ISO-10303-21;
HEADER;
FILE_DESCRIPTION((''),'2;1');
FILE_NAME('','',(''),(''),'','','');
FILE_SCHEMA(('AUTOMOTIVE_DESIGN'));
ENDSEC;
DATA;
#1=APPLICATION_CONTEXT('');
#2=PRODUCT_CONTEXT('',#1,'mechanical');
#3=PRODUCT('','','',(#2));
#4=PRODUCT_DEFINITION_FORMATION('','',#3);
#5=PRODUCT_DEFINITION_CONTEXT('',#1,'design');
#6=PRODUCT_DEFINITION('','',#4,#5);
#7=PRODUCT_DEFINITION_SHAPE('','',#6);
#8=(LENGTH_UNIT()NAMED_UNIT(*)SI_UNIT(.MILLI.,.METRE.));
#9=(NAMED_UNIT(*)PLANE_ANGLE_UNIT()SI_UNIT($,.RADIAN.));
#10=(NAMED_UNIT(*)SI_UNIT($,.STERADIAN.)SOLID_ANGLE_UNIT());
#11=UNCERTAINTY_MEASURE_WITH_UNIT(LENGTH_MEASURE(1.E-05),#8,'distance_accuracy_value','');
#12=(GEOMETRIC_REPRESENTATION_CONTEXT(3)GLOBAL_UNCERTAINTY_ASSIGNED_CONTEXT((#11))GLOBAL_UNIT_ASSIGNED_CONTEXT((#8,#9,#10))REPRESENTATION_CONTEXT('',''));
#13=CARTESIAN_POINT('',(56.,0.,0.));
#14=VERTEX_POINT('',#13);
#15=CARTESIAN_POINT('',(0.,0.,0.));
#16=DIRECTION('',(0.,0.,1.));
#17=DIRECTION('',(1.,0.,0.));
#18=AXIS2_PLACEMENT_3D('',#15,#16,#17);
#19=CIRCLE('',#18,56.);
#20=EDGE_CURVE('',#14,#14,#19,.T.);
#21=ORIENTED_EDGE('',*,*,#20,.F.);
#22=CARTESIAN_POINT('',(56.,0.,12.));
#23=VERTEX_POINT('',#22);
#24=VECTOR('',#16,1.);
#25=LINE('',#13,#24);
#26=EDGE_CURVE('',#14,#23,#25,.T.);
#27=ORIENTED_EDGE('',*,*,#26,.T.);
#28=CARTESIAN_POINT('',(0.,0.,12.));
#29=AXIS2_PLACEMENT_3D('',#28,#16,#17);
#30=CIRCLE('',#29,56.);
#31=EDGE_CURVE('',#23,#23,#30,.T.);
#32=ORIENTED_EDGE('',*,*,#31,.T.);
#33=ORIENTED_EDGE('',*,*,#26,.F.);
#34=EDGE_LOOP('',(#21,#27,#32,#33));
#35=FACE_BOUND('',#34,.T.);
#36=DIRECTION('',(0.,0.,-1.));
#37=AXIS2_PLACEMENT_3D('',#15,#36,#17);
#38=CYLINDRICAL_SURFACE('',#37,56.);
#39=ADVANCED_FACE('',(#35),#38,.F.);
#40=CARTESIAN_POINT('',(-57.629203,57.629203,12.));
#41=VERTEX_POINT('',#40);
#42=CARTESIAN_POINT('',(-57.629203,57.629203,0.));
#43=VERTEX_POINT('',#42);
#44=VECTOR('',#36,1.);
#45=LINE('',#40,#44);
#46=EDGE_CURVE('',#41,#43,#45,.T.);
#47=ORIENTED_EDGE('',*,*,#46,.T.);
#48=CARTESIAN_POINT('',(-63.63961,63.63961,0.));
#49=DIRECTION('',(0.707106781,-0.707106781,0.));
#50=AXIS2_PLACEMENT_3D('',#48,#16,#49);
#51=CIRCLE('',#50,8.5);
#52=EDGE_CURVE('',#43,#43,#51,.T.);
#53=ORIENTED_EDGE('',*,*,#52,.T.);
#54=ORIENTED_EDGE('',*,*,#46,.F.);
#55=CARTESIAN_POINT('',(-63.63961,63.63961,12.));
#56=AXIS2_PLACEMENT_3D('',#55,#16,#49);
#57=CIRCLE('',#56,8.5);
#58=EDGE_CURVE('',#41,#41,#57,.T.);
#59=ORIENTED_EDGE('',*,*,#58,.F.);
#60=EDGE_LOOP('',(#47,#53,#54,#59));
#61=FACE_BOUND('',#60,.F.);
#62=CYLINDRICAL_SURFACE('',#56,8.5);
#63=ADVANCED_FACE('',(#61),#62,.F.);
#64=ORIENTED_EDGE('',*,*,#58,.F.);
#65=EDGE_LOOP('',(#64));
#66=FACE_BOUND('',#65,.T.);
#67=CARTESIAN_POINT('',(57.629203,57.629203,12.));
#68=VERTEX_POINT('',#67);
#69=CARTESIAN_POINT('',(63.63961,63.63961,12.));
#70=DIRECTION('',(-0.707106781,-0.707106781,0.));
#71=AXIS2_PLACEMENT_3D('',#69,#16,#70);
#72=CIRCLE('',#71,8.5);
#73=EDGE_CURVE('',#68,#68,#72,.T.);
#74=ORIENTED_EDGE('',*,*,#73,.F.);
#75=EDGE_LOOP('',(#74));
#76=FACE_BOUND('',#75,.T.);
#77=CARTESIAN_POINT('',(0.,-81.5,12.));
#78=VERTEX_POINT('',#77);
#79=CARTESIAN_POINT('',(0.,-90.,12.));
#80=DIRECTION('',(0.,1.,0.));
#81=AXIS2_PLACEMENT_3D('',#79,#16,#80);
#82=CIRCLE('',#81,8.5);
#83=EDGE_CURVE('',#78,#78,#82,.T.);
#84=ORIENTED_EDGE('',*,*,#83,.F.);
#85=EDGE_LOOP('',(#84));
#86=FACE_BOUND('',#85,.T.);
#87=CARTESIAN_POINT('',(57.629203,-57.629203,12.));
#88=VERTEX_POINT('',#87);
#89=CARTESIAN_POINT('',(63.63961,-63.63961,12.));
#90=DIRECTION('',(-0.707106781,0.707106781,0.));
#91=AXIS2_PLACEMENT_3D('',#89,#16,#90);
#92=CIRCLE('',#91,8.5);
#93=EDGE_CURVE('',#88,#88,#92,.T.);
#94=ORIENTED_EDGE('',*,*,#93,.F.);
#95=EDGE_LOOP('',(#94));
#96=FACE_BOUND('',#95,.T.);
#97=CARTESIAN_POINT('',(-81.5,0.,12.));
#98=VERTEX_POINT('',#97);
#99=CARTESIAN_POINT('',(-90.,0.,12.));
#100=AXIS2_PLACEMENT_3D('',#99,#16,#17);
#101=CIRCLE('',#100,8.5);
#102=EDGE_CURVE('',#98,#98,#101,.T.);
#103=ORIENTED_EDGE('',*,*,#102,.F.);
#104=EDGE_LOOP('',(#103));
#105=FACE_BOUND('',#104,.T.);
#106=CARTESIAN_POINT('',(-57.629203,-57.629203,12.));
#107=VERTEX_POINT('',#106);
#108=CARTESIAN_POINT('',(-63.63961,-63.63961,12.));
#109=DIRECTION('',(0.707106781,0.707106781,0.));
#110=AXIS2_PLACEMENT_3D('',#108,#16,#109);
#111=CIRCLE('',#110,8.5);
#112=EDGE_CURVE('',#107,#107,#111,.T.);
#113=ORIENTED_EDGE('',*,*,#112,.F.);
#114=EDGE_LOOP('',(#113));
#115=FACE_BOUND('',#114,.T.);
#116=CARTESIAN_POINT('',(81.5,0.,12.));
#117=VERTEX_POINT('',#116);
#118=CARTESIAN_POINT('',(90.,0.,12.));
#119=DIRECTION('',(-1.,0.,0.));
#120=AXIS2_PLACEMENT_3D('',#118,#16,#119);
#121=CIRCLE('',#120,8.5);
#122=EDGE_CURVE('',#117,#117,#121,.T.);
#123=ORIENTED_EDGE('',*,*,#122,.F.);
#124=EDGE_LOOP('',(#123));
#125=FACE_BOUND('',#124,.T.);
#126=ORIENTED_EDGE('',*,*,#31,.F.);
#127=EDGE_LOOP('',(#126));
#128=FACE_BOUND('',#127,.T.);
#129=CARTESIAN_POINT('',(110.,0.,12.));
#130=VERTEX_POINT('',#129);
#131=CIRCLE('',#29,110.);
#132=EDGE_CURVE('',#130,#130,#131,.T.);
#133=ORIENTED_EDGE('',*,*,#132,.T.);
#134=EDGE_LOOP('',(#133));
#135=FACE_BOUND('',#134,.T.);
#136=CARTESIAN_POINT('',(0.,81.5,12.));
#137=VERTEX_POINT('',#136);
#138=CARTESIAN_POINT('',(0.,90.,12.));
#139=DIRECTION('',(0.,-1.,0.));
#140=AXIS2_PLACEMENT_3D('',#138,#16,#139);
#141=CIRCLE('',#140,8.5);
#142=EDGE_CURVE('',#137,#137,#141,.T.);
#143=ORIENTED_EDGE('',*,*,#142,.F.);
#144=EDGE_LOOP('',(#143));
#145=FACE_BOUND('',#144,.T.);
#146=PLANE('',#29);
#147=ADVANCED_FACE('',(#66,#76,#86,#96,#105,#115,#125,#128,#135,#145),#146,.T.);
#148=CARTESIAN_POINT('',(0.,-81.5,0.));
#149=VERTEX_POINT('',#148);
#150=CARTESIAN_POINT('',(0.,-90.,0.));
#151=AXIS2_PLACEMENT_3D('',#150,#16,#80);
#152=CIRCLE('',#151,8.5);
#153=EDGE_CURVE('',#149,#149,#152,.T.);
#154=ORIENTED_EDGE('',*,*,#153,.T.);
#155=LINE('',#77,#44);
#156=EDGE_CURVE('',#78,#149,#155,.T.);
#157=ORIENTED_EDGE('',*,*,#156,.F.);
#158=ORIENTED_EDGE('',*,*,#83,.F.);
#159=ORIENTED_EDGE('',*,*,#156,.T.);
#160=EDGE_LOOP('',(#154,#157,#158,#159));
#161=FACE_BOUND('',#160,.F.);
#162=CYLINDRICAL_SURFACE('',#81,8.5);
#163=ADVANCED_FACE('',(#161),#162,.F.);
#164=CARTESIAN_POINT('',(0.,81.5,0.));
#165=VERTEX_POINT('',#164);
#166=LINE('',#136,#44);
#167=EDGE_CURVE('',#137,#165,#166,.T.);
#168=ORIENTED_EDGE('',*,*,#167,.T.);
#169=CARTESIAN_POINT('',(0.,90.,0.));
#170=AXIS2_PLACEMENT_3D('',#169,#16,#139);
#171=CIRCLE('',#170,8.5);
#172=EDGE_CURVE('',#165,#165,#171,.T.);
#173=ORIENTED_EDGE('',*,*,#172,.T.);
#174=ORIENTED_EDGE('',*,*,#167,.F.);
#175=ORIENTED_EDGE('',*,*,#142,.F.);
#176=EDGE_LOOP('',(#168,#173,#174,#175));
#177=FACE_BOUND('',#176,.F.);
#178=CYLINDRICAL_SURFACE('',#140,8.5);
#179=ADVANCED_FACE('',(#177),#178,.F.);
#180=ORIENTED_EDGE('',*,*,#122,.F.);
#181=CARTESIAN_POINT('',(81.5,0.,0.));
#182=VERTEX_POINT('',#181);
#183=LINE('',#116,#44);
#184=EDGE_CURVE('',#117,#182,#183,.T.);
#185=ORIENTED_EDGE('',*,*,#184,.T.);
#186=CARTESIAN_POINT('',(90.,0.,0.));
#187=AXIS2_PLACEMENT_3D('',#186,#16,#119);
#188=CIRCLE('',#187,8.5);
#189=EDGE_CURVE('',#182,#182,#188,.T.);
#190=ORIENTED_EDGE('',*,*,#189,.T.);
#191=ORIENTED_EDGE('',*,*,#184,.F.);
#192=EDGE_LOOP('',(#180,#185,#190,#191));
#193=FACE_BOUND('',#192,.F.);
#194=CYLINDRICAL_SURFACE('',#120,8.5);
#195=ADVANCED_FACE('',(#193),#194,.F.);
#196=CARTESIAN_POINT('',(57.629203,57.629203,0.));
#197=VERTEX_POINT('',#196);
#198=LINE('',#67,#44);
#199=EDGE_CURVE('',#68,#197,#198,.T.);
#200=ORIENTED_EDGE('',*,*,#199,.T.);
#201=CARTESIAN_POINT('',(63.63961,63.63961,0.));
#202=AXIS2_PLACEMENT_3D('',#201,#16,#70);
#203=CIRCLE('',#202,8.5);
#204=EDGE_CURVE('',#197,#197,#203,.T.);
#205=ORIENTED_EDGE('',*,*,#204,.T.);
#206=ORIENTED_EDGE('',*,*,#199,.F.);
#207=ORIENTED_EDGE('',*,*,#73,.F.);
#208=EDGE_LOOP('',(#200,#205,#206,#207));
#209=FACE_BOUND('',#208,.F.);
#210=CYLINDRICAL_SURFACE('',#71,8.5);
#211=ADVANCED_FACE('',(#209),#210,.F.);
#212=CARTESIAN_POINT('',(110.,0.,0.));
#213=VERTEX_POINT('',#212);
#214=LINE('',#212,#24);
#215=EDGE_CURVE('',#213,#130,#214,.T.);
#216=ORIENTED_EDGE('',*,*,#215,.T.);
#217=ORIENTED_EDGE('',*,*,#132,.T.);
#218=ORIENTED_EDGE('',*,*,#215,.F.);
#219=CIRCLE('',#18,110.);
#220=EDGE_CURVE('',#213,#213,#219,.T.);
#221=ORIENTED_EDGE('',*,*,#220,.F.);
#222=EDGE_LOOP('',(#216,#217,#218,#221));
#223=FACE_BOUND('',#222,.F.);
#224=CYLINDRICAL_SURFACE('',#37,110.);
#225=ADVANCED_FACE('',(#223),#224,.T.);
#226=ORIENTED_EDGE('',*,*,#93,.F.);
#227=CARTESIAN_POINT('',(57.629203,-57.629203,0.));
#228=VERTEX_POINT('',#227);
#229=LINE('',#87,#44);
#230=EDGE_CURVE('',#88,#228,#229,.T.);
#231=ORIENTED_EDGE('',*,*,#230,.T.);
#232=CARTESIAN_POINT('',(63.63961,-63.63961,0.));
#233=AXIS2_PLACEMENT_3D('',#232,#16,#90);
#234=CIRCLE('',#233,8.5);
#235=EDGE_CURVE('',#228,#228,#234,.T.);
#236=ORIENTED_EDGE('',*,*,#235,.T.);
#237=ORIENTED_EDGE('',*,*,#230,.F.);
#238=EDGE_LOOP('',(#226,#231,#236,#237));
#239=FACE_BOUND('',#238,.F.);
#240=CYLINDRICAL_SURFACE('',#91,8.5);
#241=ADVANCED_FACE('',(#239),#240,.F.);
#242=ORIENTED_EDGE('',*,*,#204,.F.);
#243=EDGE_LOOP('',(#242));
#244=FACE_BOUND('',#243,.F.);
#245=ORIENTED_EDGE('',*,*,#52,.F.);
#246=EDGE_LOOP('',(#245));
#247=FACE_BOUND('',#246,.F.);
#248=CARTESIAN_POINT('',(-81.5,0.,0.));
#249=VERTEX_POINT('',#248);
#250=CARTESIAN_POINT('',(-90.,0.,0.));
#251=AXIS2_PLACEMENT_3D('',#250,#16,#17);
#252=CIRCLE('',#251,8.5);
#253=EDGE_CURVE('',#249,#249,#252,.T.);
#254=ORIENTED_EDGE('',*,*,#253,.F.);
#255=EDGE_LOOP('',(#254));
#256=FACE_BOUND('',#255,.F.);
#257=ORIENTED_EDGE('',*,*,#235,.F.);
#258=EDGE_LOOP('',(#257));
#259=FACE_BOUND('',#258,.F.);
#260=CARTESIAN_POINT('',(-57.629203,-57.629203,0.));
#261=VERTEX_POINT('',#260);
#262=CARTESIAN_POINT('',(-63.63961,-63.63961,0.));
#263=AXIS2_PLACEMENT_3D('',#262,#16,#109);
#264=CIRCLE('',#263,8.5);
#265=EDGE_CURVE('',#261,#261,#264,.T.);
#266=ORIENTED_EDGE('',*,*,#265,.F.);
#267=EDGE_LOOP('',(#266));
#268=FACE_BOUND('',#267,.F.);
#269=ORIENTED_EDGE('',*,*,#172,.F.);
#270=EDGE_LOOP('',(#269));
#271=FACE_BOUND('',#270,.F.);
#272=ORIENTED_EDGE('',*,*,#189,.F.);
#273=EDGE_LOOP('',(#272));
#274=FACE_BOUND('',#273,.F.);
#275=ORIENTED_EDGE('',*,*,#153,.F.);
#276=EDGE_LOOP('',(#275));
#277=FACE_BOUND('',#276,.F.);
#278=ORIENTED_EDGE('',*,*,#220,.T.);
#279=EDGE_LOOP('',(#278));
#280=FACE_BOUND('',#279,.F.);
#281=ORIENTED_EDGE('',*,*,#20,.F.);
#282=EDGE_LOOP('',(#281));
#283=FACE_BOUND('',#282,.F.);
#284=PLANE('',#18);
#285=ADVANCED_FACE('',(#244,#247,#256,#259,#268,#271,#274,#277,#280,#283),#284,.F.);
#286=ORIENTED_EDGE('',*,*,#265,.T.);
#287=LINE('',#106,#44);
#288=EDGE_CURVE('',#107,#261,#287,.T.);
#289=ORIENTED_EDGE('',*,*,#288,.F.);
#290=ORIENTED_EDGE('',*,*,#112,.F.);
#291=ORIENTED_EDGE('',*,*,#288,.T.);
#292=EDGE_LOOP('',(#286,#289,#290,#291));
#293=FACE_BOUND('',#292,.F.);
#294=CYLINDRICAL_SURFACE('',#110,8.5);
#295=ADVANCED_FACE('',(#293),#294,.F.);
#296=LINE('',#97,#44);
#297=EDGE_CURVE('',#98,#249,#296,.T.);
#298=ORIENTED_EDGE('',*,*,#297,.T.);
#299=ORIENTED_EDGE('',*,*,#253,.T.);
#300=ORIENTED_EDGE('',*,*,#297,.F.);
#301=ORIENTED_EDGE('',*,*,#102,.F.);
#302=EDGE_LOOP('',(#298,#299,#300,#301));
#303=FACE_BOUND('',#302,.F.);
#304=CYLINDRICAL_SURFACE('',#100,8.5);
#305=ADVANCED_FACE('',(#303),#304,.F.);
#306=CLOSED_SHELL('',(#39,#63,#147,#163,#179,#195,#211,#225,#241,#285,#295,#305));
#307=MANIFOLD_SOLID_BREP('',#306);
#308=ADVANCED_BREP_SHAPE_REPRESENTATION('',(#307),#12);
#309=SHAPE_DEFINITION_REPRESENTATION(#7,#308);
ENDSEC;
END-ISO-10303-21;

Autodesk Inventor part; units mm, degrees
ref_plane "YZ Plane" through (0, 0, 0) normal (1, 0, 0) x (0, 1, 0)
ref_plane "XZ Plane" through (0, 0, 0) normal (0, 1, 0) x (-1, 0, 0)
ref_plane "XY Plane" through (0, 0, 0) normal (0, 0, 1) x (1, 0, 0)
sketch "Sketch2" plane through (0, 0, 0) normal (0, 0, 1) x (1, 0, 0)
  circle A0 centre (0, 0) radius 56
  circle A1 centre (0, 0) radius 110
  dimension "d25" = 112
  dimension "d27" = 220
extrude "Plate2" add sketch "Sketch2" along normal blind 12
sketch "Sketch3" plane through (0, 0, 12) normal (0, 0, 1) x (1, 0, 0)
  circle A0 centre (-90, 0) radius 8.5
  circle A1 centre (0, 0) radius 90 construction
  dimension "d28" = 180
  dimension "d15" = 17
extrude "Cut1" cut sketch "Sketch3" against normal blind 12
pattern_circular "Circular Pattern1" count 8 over 360 about axis through (0, 0, -10) along (0, 0, 1) of "Cut1"
equation "\"d17\" = Thickness"
equation "\"d14\" = Thickness"
equation "\"BendReliefWidth\" = Thickness"
equation "\"BendReliefDepth\" = 0.5 * Thickness"
equation "\"CornerReliefSize\" = 4 * Thickness"
equation "\"MinimumRemnant\" = 2 * Thickness"
equation "\"TransitionRadius\" = BendRadius"
equation "\"JacobiRadiusSize\" = BendRadius"
equation "\"GapSize\" = Thickness"
equation "\"Thickness\" = 12"
equation "\"BendRadius\" = 6"
properties part number "APN 1433 FDS flange DN100" material "Steel"
